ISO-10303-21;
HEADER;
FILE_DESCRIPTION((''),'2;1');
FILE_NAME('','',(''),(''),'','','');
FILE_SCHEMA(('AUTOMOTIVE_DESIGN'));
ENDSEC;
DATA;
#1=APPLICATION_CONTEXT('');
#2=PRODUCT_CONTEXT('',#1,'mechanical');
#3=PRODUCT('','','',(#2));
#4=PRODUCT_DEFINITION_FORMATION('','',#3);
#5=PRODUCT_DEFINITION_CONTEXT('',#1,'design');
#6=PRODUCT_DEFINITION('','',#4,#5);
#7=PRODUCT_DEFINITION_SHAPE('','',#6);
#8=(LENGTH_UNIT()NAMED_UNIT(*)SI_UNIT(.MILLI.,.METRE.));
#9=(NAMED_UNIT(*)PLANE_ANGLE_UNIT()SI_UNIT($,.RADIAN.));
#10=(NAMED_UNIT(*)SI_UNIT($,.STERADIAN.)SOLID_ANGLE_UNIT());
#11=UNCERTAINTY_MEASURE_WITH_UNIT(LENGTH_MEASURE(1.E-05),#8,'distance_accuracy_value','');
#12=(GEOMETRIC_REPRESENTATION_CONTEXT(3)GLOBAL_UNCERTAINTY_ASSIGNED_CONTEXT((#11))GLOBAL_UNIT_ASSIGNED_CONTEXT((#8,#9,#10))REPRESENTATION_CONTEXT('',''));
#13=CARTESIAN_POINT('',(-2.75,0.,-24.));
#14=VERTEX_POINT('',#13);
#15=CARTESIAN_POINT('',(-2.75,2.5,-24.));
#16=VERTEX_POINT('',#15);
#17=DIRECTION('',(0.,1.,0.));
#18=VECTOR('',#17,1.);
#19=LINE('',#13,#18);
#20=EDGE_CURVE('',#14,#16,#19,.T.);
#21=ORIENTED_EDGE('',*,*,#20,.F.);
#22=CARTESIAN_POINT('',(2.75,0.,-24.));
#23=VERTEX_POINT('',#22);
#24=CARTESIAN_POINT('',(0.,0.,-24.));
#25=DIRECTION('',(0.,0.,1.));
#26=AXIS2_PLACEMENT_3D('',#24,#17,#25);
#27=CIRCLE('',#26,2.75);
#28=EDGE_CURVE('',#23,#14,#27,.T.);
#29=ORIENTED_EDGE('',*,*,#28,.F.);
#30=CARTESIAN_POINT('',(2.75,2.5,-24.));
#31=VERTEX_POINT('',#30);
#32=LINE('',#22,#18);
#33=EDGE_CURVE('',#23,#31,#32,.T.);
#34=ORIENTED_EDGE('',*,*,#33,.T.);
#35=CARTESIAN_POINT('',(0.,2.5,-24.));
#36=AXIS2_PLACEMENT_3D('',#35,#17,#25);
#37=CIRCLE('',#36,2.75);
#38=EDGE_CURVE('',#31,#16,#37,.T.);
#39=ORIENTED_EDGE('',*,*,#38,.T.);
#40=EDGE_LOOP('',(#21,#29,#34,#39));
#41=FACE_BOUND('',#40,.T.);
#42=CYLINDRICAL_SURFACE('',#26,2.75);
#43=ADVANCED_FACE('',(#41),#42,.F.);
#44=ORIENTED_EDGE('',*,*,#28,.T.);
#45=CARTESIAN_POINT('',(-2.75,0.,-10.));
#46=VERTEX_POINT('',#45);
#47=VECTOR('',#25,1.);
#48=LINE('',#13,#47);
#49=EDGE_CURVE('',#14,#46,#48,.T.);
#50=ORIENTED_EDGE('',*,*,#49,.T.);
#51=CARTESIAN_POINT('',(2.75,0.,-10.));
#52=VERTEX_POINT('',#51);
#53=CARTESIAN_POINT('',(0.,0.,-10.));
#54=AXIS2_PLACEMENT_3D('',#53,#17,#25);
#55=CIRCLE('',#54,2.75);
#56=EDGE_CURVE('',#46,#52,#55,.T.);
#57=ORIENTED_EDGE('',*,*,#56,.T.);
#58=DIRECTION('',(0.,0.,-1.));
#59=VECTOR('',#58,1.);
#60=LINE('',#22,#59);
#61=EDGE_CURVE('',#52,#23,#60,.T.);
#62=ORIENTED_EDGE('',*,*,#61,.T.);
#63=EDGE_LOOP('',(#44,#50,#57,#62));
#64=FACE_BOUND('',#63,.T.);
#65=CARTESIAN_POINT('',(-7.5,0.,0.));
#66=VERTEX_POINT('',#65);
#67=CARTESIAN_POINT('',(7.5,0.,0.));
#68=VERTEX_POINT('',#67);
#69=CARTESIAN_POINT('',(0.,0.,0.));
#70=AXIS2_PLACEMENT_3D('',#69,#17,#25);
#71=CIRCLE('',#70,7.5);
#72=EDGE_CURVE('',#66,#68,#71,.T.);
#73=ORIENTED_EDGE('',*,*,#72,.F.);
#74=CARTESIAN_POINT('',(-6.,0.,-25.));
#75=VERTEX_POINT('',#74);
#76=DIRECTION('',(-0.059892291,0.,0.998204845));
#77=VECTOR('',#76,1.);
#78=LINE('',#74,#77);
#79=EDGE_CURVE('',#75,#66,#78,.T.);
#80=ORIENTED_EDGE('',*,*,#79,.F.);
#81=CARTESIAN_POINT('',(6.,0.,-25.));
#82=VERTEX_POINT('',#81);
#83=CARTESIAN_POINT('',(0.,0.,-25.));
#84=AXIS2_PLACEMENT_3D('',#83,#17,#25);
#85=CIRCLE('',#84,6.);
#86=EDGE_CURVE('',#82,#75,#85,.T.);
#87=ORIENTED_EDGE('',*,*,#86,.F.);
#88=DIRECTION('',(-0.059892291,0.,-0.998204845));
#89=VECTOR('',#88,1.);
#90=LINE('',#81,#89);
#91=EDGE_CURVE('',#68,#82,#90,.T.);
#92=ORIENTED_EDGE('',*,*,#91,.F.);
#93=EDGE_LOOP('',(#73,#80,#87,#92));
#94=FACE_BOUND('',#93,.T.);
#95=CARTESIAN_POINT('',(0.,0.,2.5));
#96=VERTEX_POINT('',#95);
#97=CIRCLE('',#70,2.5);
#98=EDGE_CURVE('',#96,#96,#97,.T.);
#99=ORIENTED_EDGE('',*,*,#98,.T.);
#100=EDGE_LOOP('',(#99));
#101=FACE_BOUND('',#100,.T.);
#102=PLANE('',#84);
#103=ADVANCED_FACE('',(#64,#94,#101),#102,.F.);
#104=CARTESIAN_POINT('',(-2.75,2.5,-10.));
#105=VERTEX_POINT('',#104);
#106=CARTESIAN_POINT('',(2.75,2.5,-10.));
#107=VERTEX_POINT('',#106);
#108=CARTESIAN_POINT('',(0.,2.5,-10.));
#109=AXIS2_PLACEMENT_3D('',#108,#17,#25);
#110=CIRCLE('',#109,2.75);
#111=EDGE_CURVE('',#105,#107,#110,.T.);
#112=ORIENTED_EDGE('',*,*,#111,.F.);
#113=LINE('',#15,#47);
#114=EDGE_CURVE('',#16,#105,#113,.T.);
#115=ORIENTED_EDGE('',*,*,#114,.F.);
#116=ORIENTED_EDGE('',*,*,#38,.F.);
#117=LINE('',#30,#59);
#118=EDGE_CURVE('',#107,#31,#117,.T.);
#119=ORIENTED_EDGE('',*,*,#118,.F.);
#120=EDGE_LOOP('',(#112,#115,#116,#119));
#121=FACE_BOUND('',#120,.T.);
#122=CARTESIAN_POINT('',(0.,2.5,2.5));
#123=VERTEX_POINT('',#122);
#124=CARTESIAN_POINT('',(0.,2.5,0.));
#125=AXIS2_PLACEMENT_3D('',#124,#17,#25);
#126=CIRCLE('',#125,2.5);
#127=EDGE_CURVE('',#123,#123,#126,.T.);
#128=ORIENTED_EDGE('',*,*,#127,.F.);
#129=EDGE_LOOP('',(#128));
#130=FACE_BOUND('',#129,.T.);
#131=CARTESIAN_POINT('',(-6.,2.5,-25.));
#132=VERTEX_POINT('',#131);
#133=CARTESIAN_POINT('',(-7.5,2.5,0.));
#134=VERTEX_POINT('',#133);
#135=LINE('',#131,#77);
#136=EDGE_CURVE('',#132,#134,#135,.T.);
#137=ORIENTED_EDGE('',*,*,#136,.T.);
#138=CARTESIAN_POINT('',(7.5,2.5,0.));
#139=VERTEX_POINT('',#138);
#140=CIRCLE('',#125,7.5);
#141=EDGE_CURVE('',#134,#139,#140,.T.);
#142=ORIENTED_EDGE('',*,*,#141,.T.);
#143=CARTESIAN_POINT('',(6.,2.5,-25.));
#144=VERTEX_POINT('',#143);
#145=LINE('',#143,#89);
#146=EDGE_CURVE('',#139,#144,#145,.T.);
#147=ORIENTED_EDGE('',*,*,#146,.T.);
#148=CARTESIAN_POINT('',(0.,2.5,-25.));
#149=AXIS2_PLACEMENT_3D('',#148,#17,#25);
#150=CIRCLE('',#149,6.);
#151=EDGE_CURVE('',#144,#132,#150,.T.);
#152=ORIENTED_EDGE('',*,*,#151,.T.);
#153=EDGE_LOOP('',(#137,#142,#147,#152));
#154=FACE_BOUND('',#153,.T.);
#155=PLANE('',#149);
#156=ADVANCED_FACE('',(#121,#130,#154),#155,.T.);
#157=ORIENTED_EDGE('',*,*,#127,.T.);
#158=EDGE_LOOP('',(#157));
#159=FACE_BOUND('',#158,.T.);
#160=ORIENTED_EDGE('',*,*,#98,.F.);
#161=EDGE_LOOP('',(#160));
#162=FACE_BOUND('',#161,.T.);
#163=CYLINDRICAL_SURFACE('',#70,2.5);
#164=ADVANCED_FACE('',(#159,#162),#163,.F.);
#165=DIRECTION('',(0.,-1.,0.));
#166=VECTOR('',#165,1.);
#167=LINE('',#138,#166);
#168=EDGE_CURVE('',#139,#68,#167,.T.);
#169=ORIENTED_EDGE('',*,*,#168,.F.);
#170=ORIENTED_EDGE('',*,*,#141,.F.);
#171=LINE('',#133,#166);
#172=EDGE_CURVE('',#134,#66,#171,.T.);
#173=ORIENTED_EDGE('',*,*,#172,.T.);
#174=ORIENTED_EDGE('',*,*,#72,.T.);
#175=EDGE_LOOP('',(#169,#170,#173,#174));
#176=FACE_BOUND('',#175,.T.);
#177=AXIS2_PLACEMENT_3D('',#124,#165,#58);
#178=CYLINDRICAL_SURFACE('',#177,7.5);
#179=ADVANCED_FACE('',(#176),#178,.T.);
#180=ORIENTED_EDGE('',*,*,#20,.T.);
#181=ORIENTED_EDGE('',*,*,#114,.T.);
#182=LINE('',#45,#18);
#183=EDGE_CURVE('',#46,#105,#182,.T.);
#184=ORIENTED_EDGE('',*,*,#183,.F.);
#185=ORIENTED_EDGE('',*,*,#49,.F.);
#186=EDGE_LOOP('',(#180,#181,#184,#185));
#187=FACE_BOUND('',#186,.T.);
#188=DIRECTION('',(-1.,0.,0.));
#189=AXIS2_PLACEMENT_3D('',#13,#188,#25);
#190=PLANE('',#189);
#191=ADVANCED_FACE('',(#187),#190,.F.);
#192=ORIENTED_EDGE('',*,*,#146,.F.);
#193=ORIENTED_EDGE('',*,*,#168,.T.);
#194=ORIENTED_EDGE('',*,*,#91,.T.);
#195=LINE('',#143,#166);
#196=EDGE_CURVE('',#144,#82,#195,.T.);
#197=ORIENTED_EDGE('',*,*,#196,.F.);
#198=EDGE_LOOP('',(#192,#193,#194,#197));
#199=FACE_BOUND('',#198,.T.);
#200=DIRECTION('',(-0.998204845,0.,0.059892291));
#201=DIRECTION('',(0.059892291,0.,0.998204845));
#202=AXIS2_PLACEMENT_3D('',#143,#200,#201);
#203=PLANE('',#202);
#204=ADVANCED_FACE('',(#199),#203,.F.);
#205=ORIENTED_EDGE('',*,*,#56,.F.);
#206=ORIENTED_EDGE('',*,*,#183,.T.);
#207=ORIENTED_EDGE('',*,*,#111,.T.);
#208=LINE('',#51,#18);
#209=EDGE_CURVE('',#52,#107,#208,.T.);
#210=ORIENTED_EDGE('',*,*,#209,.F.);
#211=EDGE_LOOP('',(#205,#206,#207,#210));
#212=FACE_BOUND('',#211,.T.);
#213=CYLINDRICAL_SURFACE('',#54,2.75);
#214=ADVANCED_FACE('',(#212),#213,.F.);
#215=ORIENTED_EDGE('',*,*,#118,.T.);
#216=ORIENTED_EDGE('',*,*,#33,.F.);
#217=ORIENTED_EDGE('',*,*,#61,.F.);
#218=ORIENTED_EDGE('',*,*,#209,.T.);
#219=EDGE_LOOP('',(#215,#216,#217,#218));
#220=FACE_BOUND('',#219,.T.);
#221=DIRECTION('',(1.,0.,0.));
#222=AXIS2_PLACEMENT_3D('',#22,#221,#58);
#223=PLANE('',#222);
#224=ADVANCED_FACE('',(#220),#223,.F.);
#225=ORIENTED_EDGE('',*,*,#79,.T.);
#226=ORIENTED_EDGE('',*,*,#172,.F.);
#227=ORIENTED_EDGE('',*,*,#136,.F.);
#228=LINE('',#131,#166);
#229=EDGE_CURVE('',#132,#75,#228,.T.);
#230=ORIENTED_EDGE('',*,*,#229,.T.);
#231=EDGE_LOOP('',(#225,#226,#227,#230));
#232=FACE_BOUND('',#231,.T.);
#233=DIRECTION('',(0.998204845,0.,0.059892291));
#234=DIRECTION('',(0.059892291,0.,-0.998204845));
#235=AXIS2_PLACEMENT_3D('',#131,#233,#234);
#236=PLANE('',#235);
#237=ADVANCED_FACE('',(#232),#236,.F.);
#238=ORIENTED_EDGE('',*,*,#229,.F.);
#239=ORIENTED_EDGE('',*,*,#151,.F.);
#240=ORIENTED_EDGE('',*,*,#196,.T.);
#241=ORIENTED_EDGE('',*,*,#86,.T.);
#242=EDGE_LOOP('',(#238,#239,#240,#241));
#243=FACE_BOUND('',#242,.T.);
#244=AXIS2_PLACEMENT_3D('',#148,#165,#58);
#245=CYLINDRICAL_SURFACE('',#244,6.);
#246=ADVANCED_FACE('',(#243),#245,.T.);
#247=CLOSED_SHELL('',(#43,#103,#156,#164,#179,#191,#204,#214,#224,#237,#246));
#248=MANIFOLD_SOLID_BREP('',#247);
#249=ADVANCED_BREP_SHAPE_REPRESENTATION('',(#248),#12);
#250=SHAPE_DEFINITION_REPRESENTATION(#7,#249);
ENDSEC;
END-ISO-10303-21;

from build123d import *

# Parameters (mm, degrees)
BOSS_EXTRUDE1_DEPTH = 2.5
SKETCH2_R           = 2.5
CUT_EXTRUDE1_DEPTH  = 3.5


with BuildPart() as part:
    # Sketch1 → Boss-Extrude1 (new body)
    with BuildSketch(Plane(origin=(0, 0, 0), x_dir=(1, 0, 0), z_dir=(0, 1, 0))):
        with BuildLine():
            Line((-6, 25), (-7.5, 0))
            ThreePointArc((-7.5, 0), (0, -7.5), (7.5, 0))
            Line((7.5, 0), (6, 25))
            ThreePointArc((6, 25), (0, 31), (-6, 25))
        make_face()
    extrude(amount=BOSS_EXTRUDE1_DEPTH)

    # Sketch2 → Cut-Extrude1 (cut, through all)
    with BuildSketch(Plane(origin=(0, 2.5, 0), x_dir=(1, 0, 0), z_dir=(0, 1, 0))):
        Circle(SKETCH2_R)
        with BuildLine():
            Line((2.75, 24), (2.75, 10))
            ThreePointArc((2.75, 10), (0, 7.25), (-2.75, 10))
            Line((-2.75, 10), (-2.75, 24))
            ThreePointArc((-2.75, 24), (0, 26.75), (2.75, 24))
        make_face()
    extrude(amount=-CUT_EXTRUDE1_DEPTH, mode=Mode.SUBTRACT)


solid = part.part
